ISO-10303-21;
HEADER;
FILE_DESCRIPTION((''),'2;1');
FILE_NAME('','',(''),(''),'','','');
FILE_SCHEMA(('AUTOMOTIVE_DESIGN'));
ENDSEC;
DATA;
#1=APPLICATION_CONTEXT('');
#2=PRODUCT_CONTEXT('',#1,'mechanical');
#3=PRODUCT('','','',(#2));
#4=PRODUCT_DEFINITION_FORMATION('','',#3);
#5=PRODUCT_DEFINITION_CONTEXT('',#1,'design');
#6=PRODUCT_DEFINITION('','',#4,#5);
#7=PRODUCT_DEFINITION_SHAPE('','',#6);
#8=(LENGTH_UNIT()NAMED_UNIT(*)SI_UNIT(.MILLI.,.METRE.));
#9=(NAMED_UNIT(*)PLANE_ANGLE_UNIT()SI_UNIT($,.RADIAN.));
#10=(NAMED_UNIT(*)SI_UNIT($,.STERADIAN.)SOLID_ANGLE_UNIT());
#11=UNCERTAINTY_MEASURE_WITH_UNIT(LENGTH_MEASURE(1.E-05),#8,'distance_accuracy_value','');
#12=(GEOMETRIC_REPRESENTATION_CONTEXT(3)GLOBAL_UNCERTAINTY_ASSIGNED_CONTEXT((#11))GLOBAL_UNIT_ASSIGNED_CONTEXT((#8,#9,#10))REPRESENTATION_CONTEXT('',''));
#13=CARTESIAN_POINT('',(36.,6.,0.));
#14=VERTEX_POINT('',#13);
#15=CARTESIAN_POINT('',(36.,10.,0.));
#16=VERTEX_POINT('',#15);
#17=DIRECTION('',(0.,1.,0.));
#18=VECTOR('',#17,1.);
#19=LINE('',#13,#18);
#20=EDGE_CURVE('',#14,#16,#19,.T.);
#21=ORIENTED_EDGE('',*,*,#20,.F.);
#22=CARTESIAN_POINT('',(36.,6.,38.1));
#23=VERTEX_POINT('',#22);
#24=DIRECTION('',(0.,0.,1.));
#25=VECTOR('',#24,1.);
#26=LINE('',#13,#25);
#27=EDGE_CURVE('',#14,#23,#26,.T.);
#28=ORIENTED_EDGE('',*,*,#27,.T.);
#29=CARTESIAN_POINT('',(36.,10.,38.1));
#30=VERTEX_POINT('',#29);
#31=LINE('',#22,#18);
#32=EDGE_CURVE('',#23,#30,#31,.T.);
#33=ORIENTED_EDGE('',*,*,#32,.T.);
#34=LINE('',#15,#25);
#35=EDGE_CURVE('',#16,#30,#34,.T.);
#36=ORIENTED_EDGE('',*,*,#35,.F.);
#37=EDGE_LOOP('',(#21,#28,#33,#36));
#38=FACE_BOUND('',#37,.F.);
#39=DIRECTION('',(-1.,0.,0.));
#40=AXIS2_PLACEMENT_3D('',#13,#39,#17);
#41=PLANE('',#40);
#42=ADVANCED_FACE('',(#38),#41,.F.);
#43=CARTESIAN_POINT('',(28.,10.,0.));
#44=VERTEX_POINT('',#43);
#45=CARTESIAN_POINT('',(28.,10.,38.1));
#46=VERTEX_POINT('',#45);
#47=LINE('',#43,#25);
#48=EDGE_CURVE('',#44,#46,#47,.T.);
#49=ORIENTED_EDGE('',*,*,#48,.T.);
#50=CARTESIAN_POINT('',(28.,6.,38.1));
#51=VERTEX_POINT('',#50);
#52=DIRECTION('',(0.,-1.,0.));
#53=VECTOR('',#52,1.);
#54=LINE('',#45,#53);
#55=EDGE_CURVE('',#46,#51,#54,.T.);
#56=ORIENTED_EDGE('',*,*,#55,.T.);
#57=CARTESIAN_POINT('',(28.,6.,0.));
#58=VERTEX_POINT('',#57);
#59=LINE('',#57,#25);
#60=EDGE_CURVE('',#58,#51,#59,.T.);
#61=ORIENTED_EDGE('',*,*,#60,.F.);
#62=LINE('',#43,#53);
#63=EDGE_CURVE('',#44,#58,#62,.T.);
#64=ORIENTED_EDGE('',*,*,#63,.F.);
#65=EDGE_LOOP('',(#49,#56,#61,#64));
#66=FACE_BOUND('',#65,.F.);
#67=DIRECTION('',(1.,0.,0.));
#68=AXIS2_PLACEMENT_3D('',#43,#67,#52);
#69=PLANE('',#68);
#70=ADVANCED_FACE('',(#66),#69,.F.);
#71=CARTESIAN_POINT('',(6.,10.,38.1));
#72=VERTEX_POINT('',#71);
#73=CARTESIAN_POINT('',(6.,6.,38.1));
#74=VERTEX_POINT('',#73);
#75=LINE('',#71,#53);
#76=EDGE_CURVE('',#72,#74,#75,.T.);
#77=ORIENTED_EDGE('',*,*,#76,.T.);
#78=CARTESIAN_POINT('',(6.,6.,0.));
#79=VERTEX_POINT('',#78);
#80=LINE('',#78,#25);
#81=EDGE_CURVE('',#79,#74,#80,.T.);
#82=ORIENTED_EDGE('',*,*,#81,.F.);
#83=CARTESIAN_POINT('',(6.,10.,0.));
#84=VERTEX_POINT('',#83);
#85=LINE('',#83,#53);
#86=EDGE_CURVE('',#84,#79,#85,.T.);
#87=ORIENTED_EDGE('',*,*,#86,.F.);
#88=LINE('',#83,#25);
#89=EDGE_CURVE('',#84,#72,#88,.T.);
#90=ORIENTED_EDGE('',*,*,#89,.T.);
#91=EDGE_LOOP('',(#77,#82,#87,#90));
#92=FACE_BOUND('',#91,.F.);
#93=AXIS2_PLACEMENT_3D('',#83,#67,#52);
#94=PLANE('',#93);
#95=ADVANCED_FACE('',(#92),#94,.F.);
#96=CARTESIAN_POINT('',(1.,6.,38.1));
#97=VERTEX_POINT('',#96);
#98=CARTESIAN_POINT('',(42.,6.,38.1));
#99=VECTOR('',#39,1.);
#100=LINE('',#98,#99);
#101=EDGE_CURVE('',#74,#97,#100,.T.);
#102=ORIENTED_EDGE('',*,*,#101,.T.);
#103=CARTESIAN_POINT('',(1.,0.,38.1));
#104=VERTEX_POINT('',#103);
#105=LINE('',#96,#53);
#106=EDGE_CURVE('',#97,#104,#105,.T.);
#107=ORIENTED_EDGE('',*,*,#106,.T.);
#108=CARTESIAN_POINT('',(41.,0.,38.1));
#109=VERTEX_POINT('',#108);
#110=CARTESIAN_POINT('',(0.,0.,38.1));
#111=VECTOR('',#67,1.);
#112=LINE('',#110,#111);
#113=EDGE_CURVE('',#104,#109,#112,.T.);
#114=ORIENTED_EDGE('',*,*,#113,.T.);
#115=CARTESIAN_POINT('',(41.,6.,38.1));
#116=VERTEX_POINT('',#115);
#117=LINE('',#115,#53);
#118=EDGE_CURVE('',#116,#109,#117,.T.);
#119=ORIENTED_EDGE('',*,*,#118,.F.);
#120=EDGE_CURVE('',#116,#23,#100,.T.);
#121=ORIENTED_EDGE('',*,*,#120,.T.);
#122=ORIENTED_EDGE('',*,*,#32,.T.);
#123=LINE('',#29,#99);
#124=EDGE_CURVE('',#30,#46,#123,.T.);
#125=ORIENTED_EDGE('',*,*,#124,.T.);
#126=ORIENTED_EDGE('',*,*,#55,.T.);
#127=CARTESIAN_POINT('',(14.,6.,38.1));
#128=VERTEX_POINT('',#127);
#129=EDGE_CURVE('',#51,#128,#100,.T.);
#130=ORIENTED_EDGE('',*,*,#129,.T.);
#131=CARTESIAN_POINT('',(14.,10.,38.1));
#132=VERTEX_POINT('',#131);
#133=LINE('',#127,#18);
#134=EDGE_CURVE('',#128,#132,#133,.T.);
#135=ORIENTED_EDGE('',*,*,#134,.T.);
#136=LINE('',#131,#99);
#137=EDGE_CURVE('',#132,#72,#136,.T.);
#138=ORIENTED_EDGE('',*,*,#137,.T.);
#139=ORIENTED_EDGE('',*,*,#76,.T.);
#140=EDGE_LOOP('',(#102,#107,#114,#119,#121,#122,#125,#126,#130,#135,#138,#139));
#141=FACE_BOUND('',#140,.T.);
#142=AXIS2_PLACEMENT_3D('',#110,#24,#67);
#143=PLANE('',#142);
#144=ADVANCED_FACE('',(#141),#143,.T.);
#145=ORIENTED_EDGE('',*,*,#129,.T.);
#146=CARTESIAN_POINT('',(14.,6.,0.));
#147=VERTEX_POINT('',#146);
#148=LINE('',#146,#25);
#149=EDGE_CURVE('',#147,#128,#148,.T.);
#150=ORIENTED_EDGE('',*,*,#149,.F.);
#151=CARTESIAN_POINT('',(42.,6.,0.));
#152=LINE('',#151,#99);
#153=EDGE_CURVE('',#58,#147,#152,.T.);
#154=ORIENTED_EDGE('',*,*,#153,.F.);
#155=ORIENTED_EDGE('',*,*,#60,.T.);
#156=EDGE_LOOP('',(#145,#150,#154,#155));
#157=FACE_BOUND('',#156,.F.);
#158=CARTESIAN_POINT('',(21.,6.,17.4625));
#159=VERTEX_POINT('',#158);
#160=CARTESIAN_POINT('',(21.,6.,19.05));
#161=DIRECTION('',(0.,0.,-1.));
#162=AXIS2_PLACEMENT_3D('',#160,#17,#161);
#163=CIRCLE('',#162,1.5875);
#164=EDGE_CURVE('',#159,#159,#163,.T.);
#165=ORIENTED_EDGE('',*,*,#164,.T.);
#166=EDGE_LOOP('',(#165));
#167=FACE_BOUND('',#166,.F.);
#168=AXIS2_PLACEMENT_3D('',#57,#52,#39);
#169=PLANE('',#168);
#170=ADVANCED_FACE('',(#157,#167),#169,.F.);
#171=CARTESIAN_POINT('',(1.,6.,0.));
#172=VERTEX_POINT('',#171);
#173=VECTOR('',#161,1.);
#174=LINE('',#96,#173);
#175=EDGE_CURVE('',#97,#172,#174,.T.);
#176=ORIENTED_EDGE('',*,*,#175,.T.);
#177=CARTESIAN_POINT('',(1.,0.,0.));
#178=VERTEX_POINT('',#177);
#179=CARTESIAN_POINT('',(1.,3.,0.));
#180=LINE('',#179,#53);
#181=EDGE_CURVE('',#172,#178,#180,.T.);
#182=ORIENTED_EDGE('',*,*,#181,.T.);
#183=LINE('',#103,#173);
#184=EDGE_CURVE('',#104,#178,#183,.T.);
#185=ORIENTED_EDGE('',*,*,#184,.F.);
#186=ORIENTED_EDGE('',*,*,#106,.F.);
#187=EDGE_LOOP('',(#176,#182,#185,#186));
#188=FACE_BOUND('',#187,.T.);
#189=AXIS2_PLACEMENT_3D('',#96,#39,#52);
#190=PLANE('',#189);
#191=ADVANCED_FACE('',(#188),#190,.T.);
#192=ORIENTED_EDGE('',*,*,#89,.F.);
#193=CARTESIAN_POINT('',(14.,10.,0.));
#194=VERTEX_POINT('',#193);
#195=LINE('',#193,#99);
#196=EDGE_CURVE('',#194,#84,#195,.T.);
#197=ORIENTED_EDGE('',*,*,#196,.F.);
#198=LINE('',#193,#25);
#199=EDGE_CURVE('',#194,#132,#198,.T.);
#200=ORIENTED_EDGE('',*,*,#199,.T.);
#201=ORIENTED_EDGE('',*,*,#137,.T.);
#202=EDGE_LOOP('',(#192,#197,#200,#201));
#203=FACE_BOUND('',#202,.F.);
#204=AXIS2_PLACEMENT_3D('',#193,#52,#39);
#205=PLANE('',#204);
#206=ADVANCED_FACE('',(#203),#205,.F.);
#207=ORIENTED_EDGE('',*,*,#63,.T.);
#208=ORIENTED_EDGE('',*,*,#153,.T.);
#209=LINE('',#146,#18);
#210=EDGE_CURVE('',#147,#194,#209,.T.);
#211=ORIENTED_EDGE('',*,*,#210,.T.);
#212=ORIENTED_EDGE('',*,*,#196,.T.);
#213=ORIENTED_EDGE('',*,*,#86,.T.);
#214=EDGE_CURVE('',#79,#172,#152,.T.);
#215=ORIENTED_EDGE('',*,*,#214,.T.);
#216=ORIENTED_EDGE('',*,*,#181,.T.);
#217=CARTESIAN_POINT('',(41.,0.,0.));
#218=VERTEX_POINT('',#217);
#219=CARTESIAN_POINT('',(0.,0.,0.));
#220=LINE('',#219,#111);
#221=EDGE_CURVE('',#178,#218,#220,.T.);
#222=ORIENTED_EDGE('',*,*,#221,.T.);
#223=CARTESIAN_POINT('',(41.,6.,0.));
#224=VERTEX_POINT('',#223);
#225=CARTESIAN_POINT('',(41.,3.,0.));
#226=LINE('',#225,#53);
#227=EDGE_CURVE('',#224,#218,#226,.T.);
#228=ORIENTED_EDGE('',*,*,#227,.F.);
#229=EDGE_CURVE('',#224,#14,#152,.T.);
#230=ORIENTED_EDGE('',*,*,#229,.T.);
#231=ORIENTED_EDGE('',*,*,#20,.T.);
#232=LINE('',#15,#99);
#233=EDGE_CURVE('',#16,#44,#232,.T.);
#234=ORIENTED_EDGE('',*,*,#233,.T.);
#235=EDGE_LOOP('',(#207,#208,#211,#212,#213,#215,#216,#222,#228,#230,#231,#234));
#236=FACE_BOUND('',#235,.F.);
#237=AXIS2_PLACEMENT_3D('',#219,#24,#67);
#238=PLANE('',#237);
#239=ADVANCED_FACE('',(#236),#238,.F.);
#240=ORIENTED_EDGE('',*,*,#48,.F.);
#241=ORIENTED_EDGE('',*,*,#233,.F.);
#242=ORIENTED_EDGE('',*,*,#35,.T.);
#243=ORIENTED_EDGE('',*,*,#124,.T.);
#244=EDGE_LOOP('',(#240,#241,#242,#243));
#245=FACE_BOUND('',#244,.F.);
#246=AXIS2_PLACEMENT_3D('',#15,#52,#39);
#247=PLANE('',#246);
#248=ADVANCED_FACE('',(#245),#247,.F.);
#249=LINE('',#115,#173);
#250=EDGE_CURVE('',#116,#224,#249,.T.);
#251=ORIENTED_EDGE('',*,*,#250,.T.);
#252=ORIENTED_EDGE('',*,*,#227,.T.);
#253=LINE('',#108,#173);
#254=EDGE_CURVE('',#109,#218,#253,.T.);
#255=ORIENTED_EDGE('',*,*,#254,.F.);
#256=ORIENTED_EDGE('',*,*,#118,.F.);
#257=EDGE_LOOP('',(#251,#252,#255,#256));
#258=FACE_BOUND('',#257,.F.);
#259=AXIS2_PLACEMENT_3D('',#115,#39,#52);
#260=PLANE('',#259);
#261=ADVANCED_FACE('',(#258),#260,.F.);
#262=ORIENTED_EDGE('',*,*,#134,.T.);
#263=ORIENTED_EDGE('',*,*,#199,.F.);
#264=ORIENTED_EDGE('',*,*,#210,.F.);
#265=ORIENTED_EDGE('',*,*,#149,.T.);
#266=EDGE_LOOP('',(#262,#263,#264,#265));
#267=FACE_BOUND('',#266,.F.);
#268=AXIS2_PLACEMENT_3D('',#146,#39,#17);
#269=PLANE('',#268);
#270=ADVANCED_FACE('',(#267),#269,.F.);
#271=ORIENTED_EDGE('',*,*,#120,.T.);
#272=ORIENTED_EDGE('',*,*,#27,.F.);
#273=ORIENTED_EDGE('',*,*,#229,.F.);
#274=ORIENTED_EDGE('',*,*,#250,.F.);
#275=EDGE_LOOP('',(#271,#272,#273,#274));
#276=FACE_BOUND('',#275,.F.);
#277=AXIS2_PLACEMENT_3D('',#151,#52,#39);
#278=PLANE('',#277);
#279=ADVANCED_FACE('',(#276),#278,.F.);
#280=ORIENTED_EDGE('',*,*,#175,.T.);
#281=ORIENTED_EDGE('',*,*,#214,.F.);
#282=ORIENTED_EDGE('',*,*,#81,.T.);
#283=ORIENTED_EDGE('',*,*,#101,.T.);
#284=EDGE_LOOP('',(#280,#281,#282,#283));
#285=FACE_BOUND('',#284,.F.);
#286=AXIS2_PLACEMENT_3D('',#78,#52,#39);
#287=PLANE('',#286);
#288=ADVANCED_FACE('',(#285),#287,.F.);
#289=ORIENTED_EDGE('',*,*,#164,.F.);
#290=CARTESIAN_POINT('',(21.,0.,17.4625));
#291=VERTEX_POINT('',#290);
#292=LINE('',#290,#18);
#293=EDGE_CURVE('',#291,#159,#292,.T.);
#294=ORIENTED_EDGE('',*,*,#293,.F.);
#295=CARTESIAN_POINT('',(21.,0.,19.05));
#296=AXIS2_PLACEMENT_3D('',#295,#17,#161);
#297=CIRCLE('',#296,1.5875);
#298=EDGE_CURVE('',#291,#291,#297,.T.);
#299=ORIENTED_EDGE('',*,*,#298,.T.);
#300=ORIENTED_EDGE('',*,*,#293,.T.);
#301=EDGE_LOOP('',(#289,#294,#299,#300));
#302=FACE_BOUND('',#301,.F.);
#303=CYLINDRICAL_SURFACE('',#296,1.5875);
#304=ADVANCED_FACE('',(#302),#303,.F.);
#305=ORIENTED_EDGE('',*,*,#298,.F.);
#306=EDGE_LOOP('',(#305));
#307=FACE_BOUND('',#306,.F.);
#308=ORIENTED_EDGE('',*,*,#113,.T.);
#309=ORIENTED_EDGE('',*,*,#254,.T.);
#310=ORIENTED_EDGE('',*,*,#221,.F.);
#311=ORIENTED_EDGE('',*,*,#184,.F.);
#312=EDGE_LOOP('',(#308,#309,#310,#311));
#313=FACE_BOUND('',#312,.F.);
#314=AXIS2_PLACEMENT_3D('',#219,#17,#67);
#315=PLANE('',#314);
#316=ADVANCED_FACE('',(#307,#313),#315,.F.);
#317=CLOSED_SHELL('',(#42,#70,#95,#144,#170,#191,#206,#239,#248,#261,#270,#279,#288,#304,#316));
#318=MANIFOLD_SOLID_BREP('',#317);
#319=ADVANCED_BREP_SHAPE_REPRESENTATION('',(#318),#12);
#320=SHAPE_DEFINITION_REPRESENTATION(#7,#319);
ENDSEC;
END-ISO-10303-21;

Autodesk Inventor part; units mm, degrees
ref_plane "YZ Plane" through (0, 0, 0) normal (1, 0, 0) x (0, 1, 0)
ref_plane "XZ Plane" through (0, 0, 0) normal (0, 1, 0) x (-1, 0, 0)
ref_plane "XY Plane" through (0, 0, 0) normal (0, 0, 1) x (1, 0, 0)
sketch "Sketch1" plane through (0, 0, 0) normal (0, 0, 1) x (1, 0, 0)
  line L0 (0, 0) -> (42, 0)
  line L1 (42, 0) -> (42, 6)
  line L2 (42, 6) -> (0, 6)
  line L3 (0, 6) -> (0, 0)
  line L4 (6, 6) -> (14, 6)
  line L5 (14, 6) -> (14, 10)
  line L6 (14, 10) -> (6, 10)
  line L7 (6, 10) -> (6, 6)
  line L8 (28, 6) -> (36, 6)
  line L9 (36, 6) -> (36, 10)
  line L10 (36, 10) -> (28, 10)
  line L11 (28, 10) -> (28, 6)
  dimension "d0" = 42
  dimension "d1" = 6
  dimension "d2" = 4
  dimension "d3" = 8
  dimension "d4" = 8
  dimension "d5" = 6
  dimension "d6" = 6
extrude "Extrusion1" add sketch "Sketch1" along normal blind 38.1
sketch "Sketch2" plane through (0, 0, 0) normal (0, -1, 0) x (1, 0, 0)
  line L0 (0, 0) -> (42, 0) projected
  line L1 (0, 0) -> (0, 38.1) projected
  point P0 (21, 19.05)
  dimension "d9" = 19.05
  dimension "d10" = 21
hole "Hole1" at (21, 0, 19.05) direction (0, 1, 0) diameter 3.175 end through all
sketch "Sketch3" plane through (0, 0, 38.1) normal (0, 0, 1) x (1, 0, 0)
  line L0 (0, 0) -> (42, 0) projected
  line L1 (0, 6) -> (1, 6)
  line L2 (1, 6) -> (1, 0)
  line L3 (1, 0) -> (0, 0)
  line L4 (0, 0) -> (0, 6)
  line L5 (42, 6) -> (41, 6)
  line L6 (41, 6) -> (41, 0)
  line L7 (41, 0) -> (42, 0)
  line L8 (42, 0) -> (42, 6)
  dimension "d18" = 1
  dimension "d19" = 1
extrude "Extrusion2" cut sketch "Sketch3" against normal blind 50.8
equation "\"d4\" = d3"
equation "\"d6\" = d5"
properties part number "Slider" material "PET Plastic"
